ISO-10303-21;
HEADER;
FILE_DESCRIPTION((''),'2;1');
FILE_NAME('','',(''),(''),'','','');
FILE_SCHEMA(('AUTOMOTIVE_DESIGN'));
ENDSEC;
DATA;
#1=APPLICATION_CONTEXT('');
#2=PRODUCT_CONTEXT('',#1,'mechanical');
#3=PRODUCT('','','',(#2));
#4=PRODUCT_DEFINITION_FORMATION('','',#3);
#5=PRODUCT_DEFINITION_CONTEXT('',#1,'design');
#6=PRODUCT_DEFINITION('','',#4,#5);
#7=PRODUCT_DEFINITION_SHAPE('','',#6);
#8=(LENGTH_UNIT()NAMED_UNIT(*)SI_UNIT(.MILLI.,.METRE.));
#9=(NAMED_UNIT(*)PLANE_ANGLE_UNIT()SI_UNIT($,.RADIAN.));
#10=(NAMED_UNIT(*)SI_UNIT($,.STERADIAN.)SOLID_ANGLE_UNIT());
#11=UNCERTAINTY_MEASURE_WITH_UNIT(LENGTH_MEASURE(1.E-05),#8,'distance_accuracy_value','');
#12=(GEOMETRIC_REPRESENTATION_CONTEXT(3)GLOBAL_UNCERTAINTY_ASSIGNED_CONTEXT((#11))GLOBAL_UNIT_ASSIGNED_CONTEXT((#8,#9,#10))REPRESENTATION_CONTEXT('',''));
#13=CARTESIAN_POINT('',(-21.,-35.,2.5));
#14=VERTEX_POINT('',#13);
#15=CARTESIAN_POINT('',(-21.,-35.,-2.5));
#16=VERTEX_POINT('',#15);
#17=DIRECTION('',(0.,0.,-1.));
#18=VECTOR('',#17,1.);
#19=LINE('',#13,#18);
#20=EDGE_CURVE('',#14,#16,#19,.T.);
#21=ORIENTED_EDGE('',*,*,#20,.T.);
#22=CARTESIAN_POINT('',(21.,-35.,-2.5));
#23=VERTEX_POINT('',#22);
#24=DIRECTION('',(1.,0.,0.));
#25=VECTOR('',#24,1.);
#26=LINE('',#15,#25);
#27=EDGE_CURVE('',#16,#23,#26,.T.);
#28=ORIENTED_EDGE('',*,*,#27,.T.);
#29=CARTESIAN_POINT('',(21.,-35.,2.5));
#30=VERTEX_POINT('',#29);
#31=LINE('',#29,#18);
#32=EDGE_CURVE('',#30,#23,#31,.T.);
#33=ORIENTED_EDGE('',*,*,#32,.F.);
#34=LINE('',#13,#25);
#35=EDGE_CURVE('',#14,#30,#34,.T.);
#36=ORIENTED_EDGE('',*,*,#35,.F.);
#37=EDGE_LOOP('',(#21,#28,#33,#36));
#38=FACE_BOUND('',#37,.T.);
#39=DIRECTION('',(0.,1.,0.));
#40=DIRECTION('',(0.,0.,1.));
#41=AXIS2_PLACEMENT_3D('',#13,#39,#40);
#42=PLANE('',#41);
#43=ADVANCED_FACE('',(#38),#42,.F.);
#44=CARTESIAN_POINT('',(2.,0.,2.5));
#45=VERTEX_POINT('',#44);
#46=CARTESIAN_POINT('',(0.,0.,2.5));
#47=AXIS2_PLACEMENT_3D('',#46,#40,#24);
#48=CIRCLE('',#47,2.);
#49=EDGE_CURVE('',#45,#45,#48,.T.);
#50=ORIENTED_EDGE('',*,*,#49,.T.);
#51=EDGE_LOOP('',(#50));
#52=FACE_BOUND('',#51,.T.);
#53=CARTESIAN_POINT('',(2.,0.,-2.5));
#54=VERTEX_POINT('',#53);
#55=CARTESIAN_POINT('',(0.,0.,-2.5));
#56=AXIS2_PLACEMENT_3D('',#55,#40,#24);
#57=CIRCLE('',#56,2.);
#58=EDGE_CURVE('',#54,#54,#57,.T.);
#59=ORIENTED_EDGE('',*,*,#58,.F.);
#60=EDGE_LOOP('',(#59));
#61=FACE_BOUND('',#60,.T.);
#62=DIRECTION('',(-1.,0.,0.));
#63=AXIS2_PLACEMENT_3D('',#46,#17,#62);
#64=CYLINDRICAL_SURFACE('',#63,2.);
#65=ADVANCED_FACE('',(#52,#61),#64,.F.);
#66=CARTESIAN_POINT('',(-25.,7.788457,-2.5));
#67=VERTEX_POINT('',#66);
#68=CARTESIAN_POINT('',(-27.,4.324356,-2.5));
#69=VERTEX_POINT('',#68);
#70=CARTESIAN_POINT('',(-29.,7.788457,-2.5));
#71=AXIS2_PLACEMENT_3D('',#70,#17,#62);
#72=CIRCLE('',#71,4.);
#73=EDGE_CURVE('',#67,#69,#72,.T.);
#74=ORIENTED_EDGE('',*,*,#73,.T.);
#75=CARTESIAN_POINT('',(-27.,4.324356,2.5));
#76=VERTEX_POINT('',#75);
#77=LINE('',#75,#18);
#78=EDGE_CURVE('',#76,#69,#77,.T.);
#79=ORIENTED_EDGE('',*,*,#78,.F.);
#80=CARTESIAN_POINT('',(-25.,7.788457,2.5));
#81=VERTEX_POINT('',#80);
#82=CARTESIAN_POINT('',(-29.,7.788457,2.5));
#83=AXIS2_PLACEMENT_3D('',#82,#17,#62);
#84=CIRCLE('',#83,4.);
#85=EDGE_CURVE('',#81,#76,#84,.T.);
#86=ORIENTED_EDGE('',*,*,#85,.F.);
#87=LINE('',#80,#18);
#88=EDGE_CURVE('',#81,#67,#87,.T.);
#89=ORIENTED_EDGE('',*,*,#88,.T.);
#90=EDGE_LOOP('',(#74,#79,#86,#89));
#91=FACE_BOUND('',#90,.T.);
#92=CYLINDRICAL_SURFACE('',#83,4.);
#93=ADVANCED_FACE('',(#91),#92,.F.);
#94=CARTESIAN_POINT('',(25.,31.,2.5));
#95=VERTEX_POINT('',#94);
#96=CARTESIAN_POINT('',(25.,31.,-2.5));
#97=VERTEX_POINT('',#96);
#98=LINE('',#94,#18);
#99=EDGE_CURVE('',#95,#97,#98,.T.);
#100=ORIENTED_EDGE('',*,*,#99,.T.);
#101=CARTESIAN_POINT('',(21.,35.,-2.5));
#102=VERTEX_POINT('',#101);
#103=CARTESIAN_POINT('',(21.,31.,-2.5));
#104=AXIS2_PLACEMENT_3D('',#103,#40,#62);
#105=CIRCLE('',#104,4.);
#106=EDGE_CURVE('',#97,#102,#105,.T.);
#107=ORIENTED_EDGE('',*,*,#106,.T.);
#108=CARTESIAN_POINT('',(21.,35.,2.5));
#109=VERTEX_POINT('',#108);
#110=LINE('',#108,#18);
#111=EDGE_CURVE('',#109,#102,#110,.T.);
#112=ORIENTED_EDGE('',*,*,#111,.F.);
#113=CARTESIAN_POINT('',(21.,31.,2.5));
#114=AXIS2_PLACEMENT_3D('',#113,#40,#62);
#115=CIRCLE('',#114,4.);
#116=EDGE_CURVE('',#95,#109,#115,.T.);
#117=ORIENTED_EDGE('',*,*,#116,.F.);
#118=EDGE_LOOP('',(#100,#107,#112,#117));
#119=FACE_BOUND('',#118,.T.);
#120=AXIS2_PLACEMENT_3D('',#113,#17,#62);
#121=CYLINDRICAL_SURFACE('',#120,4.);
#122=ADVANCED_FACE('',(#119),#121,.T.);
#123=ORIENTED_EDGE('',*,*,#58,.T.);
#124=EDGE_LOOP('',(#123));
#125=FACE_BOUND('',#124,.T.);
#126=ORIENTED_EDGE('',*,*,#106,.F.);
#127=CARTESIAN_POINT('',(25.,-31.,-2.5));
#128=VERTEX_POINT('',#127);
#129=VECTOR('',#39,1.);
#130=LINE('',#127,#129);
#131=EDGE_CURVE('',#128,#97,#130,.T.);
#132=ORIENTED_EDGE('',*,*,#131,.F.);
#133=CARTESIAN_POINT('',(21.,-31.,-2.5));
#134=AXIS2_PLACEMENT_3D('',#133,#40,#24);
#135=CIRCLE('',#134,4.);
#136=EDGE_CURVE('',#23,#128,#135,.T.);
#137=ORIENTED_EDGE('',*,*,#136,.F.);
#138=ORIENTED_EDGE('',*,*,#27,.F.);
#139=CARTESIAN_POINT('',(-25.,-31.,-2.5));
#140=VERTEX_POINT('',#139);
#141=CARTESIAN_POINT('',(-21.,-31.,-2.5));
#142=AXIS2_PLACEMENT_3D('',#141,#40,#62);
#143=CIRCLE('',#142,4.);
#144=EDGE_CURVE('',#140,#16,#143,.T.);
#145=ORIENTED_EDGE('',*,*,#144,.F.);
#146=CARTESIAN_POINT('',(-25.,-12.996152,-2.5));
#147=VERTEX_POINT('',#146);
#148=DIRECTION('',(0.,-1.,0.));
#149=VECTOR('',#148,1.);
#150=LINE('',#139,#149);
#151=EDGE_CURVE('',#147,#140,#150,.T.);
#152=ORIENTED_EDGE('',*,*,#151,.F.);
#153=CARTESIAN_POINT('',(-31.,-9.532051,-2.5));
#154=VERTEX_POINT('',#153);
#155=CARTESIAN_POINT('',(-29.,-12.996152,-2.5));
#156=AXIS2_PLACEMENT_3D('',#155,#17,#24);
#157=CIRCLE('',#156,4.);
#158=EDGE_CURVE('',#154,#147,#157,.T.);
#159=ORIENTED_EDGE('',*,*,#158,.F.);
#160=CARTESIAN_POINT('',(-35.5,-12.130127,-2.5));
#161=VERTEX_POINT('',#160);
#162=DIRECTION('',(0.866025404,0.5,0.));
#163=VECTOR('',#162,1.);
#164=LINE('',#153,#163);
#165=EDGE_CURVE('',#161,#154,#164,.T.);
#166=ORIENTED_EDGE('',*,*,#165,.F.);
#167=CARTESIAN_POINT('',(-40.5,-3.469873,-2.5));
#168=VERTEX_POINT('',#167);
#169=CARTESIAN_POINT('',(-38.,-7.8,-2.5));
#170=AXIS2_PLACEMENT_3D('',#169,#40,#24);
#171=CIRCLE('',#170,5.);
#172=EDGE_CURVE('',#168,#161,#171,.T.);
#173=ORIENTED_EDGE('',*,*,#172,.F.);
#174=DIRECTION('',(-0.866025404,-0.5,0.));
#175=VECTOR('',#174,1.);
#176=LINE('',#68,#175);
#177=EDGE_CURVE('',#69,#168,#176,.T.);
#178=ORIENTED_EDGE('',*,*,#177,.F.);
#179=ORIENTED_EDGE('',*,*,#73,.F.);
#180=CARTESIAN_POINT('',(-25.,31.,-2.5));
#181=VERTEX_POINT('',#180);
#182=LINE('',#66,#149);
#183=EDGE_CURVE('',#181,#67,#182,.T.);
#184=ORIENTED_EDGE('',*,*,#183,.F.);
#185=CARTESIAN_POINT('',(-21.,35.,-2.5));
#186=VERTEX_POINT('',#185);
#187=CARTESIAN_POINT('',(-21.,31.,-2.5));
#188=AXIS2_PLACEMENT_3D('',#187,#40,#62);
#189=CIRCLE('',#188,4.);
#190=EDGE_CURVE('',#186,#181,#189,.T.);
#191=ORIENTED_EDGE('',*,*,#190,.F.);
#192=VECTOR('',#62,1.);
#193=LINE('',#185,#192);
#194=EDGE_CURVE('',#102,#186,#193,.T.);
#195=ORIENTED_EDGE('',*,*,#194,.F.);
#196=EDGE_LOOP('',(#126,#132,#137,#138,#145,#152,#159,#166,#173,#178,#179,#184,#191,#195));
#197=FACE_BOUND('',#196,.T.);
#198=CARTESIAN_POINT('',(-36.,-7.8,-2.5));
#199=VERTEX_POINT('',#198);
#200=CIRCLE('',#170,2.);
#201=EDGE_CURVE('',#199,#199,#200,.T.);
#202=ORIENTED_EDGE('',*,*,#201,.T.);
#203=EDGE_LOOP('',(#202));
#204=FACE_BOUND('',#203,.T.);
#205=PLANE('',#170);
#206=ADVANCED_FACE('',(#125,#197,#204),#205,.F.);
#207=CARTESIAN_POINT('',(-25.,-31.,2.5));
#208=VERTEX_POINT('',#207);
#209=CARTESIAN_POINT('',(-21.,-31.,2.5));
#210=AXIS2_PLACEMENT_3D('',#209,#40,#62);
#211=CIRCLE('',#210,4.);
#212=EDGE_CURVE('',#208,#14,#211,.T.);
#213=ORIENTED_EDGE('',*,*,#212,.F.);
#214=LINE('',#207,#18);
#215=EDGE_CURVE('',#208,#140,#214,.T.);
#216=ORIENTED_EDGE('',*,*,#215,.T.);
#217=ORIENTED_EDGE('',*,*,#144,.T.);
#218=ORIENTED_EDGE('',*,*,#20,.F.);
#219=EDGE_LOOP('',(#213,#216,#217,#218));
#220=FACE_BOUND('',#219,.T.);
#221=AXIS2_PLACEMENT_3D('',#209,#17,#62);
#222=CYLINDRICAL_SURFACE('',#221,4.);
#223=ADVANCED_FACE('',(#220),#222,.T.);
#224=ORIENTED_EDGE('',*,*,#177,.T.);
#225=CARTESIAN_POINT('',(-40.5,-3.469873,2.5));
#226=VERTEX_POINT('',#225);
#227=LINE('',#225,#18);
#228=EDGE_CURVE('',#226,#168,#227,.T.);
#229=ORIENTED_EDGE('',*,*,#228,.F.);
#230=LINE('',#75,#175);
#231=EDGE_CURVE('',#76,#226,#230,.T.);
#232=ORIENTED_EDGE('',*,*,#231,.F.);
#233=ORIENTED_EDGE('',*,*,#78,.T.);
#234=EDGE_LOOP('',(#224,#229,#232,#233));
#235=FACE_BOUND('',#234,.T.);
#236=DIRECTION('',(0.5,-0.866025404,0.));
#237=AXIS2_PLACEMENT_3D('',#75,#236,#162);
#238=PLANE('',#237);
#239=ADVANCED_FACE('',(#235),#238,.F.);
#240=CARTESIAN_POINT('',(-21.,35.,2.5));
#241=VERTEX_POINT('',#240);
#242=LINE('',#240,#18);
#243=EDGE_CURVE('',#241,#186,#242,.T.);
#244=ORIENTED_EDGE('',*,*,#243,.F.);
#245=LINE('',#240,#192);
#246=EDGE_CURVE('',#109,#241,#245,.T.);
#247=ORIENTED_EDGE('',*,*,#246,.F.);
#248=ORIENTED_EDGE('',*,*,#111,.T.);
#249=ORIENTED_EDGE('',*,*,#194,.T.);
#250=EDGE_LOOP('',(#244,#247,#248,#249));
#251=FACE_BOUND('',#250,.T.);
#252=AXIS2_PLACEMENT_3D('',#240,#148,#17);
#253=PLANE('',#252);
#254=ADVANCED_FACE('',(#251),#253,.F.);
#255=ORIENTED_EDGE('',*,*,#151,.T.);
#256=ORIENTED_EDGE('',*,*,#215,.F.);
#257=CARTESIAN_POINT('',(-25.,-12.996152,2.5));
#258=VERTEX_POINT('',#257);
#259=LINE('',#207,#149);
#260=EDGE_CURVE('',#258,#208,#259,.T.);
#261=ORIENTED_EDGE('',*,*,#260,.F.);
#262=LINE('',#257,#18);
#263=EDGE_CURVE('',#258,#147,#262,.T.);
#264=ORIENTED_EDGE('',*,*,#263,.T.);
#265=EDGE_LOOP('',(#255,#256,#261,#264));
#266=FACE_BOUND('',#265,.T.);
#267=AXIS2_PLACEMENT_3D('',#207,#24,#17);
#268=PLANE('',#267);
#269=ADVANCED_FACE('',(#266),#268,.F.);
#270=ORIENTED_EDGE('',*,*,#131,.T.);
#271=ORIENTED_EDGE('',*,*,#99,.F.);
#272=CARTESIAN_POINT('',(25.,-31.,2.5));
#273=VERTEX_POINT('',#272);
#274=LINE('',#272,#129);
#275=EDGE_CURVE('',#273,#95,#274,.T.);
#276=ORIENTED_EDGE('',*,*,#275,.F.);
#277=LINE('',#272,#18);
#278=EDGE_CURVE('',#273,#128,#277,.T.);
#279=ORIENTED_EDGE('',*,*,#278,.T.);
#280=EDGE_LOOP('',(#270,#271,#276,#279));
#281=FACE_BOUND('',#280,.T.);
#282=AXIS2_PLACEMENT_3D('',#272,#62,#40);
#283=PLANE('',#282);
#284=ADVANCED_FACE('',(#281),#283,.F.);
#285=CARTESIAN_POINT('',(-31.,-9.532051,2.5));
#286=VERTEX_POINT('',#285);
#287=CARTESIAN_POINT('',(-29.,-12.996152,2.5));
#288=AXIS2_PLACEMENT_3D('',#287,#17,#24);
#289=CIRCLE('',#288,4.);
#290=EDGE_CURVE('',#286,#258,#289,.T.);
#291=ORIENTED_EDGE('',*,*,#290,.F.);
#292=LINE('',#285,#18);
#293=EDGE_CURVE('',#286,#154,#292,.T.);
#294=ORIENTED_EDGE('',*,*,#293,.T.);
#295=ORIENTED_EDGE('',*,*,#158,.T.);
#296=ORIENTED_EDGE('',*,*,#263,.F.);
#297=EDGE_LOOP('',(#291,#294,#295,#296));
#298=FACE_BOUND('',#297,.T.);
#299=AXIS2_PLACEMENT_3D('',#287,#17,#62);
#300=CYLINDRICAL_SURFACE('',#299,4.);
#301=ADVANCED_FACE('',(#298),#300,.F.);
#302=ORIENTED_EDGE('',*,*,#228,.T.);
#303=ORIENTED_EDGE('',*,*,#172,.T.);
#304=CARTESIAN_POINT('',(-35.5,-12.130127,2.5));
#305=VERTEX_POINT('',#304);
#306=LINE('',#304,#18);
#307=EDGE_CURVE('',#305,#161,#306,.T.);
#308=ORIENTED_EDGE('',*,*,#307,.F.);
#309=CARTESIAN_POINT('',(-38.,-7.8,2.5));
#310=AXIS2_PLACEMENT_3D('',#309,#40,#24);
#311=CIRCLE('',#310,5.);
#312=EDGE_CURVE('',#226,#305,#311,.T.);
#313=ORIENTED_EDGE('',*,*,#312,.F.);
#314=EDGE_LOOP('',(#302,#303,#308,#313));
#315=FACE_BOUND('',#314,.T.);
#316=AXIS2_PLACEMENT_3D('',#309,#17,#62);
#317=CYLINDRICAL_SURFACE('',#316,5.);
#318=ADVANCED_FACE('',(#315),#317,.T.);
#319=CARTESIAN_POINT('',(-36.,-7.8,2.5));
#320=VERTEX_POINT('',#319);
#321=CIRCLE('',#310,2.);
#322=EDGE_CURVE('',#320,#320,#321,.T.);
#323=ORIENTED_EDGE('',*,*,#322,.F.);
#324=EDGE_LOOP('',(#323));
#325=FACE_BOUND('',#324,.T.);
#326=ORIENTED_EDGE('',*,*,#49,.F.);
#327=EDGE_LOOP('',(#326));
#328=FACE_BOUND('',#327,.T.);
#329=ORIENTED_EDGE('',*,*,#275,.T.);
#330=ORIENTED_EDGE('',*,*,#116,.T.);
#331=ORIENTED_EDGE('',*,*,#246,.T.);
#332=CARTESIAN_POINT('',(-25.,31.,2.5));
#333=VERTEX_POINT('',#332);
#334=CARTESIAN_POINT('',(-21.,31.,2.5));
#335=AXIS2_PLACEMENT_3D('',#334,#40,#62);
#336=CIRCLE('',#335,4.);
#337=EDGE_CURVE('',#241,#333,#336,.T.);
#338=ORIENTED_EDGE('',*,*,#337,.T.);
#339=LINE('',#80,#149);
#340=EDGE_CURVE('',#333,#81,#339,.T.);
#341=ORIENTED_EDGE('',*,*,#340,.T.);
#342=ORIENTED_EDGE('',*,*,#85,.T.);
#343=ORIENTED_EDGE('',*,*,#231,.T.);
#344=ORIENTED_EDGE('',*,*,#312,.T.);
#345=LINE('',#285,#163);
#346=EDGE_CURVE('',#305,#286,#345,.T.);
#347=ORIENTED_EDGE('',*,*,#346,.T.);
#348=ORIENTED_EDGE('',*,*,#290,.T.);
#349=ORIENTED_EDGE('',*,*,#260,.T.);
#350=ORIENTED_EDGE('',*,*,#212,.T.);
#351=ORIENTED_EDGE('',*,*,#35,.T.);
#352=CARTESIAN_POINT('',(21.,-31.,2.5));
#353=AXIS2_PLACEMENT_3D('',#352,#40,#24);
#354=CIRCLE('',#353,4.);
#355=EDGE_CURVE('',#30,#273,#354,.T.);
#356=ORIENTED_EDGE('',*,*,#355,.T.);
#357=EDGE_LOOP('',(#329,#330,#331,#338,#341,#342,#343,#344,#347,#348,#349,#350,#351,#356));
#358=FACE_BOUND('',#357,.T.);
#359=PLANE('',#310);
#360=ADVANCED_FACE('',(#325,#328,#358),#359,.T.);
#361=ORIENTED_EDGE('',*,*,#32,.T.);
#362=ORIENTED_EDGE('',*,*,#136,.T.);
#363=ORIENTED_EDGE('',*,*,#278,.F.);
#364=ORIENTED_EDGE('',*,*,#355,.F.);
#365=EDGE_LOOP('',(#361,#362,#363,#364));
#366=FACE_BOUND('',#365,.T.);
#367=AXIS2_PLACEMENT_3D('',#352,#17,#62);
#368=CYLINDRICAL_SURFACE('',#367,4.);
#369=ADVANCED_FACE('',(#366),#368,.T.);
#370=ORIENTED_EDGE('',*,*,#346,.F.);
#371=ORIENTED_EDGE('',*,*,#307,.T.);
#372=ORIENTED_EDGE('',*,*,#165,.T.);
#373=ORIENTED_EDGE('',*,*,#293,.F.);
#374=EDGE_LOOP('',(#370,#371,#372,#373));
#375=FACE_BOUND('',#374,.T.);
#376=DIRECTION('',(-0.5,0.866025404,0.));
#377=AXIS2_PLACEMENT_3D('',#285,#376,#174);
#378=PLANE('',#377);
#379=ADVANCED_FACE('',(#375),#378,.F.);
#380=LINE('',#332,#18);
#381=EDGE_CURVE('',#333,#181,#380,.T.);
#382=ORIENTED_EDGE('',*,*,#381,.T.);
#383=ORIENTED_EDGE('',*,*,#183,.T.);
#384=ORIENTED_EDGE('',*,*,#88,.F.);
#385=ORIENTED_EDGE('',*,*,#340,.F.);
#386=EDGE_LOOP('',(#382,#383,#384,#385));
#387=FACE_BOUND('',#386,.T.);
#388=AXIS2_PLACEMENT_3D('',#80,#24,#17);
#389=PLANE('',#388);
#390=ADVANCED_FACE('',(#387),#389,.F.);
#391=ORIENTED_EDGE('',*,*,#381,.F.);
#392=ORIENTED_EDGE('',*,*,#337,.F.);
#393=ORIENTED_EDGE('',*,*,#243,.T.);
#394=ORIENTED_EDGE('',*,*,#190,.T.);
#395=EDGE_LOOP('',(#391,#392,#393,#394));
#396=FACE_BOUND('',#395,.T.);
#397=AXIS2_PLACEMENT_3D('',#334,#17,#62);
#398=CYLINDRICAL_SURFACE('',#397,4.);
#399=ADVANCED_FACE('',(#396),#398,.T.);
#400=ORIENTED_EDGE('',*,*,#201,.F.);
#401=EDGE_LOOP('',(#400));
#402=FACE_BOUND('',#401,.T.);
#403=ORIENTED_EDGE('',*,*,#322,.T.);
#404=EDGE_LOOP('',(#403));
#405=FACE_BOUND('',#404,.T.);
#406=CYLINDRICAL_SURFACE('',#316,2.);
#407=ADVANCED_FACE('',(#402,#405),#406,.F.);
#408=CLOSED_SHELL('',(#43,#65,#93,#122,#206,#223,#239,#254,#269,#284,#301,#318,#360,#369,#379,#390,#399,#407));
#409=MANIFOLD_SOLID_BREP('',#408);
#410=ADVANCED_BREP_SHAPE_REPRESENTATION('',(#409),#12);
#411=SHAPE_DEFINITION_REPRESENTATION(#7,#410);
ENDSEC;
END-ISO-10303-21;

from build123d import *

# Parameters (mm, degrees)
SKETCH_1_R      = 2
EXTRUDE_1_DEPTH = 2.5


with BuildPart() as part:
    # 草圖1 → 填料-伸長1 (new, symmetric)
    with BuildSketch(Plane.XY):
        with BuildLine():
            Line((-21, -35), (21, -35))
            ThreePointArc((21, -35), (23.828427125, -33.828427125), (25, -31))
            Line((25, -31), (25, 31))
            ThreePointArc((25, 31), (23.828427125, 33.828427125), (21, 35))
            Line((21, 35), (-21, 35))
            ThreePointArc((-21, 35), (-23.828427125, 33.828427125), (-25, 31))
            Line((-25, 31), (-25, 7.788457268))
            ThreePointArc((-25, 7.788457268), (-25.535898385, 5.788457268), (-27, 4.324355653))
            Line((-27, 4.324355653), (-40.5, -3.469872981))
            ThreePointArc((-40.5, -3.469872981), (-42.330127019, -10.3), (-35.5, -12.130127019))
            Line((-35.5, -12.130127019), (-31, -9.532050808))
            ThreePointArc((-31, -9.532050808), (-27, -9.532050808), (-25, -12.996152423))
            Line((-25, -12.996152423), (-25, -31))
            ThreePointArc((-25, -31), (-23.828427125, -33.828427125), (-21, -35))
        make_face()
        Circle(SKETCH_1_R, mode=Mode.SUBTRACT)
        with Locations((-38, -7.8)):
            Circle(SKETCH_1_R, mode=Mode.SUBTRACT)
    extrude(amount=EXTRUDE_1_DEPTH, both=True)


solid = part.part
